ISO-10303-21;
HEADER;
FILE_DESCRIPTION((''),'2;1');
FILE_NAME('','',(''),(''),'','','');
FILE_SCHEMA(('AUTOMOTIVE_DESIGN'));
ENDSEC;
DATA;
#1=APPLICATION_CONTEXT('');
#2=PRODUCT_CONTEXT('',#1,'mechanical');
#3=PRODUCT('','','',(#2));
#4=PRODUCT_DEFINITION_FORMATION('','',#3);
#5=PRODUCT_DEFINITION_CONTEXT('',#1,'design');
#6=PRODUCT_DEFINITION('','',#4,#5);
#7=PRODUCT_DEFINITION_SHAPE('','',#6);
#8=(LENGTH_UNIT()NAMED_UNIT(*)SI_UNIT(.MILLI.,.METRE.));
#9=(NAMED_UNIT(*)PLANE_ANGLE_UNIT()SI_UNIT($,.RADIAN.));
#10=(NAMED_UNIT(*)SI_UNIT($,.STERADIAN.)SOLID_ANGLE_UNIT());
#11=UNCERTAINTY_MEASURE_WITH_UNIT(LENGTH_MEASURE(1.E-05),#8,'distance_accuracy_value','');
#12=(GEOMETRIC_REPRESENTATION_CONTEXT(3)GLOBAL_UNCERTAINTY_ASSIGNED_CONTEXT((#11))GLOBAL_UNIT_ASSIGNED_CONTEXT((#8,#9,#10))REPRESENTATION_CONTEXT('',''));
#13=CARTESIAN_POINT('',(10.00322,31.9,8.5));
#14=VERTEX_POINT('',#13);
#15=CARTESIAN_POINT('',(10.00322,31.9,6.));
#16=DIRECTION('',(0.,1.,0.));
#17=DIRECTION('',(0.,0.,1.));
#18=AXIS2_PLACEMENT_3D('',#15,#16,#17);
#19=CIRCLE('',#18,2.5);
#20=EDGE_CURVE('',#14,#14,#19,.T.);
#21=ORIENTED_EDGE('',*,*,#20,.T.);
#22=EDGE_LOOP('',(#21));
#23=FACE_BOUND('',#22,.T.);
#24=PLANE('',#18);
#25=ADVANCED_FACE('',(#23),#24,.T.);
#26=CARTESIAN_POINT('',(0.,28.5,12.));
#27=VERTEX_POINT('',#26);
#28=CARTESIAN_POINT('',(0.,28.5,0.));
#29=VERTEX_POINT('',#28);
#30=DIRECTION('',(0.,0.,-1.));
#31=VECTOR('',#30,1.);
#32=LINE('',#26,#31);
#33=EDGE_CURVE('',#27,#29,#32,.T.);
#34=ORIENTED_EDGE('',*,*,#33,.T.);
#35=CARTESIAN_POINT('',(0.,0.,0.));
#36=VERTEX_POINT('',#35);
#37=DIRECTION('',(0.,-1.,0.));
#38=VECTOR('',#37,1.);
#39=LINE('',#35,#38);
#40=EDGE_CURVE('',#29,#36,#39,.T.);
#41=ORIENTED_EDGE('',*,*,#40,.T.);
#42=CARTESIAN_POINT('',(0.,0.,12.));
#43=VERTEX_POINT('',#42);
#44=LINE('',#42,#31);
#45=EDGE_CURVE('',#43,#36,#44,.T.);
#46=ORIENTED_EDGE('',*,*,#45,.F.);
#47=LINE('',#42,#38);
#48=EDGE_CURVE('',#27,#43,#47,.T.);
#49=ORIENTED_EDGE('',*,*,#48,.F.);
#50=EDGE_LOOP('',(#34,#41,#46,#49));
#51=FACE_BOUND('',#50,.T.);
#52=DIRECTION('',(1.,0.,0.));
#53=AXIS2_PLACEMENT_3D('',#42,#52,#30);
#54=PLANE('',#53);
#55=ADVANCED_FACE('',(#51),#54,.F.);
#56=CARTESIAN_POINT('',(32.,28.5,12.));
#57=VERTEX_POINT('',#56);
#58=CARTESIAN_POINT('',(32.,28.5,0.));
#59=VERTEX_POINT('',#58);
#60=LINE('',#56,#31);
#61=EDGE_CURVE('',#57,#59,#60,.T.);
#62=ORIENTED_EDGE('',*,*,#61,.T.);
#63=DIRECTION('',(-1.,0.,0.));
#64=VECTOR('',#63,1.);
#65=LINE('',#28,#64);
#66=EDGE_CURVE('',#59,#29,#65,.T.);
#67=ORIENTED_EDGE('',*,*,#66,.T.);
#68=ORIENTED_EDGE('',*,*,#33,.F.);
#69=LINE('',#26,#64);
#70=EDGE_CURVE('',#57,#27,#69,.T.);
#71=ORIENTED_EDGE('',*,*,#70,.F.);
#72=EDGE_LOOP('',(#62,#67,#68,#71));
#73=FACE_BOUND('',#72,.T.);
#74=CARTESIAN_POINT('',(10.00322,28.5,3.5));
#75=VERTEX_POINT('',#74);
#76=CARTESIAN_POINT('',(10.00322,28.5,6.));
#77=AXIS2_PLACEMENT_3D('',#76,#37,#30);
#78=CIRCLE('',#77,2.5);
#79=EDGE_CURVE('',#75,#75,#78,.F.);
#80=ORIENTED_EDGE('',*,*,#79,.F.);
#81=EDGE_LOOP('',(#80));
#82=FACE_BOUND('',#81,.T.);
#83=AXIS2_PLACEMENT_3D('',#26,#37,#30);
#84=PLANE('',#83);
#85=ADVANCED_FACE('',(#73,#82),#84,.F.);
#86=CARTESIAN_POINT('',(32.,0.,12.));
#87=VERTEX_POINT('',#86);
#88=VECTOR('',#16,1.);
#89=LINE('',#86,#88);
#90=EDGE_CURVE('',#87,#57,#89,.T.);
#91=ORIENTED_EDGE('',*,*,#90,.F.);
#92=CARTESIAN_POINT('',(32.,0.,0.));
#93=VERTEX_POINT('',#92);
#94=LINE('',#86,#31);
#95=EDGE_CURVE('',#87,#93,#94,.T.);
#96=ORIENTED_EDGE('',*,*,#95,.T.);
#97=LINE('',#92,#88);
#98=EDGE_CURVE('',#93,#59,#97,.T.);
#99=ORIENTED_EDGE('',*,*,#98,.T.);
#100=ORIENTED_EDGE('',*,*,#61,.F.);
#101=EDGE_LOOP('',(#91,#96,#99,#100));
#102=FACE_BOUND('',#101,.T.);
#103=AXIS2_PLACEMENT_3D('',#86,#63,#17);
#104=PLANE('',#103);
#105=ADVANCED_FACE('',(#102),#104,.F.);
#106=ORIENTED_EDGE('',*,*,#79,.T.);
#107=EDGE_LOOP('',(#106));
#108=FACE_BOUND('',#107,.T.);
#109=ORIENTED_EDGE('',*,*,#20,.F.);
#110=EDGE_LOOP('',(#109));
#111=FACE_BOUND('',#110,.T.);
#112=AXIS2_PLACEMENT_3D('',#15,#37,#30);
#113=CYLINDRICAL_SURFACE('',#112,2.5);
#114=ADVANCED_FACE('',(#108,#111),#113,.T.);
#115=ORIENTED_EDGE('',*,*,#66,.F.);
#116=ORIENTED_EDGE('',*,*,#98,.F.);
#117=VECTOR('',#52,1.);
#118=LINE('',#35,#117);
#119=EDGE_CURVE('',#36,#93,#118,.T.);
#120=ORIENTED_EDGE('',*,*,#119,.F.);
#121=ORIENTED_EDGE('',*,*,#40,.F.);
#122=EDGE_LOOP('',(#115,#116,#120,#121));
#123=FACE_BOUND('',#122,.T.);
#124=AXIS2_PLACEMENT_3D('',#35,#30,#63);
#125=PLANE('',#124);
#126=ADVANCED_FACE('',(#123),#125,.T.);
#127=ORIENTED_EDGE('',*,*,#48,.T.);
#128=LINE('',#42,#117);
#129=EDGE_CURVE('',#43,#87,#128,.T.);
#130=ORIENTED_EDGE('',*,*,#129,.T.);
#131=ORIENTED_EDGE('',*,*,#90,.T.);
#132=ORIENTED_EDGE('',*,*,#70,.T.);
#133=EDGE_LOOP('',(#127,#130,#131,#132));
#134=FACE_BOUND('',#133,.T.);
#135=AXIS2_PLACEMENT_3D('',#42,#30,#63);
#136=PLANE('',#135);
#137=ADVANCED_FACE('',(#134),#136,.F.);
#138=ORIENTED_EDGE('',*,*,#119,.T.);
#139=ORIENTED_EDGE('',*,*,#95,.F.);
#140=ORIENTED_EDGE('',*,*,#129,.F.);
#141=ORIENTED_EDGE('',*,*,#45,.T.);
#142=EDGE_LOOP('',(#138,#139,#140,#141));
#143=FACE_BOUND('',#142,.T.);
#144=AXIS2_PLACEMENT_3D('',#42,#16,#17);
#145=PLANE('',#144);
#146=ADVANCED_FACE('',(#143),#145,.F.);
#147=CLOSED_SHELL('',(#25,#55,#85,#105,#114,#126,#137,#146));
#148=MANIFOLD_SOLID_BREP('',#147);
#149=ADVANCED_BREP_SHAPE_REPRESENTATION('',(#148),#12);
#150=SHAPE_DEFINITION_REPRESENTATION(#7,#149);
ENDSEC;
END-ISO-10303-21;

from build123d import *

# Parameters (mm, degrees)
SKETCH_1_W      = 32
SKETCH_1_H      = 28.5
EXTRUDE_1_DEPTH = 12
SKETCH_2_R      = 2.5
EXTRUDE_2_DEPTH = 3.4


with BuildPart() as part:
    # 草图1 → 凸台-拉伸1 (new body)
    with BuildSketch(Plane.XY):
        with Locations((16, 14.25)):
            Rectangle(SKETCH_1_W, SKETCH_1_H)
    extrude(amount=EXTRUDE_1_DEPTH)

    # 草图2 → 凸台-拉伸2 (add)
    with BuildSketch(Plane(origin=(0, 28.5, 0), x_dir=(1, 0, 0), z_dir=(0, 1, 0))):
        with Locations(Location((10.003220269, -6, 0), (0, 0, 90))):
            Circle(SKETCH_2_R)
    extrude(amount=EXTRUDE_2_DEPTH)


solid = part.part
